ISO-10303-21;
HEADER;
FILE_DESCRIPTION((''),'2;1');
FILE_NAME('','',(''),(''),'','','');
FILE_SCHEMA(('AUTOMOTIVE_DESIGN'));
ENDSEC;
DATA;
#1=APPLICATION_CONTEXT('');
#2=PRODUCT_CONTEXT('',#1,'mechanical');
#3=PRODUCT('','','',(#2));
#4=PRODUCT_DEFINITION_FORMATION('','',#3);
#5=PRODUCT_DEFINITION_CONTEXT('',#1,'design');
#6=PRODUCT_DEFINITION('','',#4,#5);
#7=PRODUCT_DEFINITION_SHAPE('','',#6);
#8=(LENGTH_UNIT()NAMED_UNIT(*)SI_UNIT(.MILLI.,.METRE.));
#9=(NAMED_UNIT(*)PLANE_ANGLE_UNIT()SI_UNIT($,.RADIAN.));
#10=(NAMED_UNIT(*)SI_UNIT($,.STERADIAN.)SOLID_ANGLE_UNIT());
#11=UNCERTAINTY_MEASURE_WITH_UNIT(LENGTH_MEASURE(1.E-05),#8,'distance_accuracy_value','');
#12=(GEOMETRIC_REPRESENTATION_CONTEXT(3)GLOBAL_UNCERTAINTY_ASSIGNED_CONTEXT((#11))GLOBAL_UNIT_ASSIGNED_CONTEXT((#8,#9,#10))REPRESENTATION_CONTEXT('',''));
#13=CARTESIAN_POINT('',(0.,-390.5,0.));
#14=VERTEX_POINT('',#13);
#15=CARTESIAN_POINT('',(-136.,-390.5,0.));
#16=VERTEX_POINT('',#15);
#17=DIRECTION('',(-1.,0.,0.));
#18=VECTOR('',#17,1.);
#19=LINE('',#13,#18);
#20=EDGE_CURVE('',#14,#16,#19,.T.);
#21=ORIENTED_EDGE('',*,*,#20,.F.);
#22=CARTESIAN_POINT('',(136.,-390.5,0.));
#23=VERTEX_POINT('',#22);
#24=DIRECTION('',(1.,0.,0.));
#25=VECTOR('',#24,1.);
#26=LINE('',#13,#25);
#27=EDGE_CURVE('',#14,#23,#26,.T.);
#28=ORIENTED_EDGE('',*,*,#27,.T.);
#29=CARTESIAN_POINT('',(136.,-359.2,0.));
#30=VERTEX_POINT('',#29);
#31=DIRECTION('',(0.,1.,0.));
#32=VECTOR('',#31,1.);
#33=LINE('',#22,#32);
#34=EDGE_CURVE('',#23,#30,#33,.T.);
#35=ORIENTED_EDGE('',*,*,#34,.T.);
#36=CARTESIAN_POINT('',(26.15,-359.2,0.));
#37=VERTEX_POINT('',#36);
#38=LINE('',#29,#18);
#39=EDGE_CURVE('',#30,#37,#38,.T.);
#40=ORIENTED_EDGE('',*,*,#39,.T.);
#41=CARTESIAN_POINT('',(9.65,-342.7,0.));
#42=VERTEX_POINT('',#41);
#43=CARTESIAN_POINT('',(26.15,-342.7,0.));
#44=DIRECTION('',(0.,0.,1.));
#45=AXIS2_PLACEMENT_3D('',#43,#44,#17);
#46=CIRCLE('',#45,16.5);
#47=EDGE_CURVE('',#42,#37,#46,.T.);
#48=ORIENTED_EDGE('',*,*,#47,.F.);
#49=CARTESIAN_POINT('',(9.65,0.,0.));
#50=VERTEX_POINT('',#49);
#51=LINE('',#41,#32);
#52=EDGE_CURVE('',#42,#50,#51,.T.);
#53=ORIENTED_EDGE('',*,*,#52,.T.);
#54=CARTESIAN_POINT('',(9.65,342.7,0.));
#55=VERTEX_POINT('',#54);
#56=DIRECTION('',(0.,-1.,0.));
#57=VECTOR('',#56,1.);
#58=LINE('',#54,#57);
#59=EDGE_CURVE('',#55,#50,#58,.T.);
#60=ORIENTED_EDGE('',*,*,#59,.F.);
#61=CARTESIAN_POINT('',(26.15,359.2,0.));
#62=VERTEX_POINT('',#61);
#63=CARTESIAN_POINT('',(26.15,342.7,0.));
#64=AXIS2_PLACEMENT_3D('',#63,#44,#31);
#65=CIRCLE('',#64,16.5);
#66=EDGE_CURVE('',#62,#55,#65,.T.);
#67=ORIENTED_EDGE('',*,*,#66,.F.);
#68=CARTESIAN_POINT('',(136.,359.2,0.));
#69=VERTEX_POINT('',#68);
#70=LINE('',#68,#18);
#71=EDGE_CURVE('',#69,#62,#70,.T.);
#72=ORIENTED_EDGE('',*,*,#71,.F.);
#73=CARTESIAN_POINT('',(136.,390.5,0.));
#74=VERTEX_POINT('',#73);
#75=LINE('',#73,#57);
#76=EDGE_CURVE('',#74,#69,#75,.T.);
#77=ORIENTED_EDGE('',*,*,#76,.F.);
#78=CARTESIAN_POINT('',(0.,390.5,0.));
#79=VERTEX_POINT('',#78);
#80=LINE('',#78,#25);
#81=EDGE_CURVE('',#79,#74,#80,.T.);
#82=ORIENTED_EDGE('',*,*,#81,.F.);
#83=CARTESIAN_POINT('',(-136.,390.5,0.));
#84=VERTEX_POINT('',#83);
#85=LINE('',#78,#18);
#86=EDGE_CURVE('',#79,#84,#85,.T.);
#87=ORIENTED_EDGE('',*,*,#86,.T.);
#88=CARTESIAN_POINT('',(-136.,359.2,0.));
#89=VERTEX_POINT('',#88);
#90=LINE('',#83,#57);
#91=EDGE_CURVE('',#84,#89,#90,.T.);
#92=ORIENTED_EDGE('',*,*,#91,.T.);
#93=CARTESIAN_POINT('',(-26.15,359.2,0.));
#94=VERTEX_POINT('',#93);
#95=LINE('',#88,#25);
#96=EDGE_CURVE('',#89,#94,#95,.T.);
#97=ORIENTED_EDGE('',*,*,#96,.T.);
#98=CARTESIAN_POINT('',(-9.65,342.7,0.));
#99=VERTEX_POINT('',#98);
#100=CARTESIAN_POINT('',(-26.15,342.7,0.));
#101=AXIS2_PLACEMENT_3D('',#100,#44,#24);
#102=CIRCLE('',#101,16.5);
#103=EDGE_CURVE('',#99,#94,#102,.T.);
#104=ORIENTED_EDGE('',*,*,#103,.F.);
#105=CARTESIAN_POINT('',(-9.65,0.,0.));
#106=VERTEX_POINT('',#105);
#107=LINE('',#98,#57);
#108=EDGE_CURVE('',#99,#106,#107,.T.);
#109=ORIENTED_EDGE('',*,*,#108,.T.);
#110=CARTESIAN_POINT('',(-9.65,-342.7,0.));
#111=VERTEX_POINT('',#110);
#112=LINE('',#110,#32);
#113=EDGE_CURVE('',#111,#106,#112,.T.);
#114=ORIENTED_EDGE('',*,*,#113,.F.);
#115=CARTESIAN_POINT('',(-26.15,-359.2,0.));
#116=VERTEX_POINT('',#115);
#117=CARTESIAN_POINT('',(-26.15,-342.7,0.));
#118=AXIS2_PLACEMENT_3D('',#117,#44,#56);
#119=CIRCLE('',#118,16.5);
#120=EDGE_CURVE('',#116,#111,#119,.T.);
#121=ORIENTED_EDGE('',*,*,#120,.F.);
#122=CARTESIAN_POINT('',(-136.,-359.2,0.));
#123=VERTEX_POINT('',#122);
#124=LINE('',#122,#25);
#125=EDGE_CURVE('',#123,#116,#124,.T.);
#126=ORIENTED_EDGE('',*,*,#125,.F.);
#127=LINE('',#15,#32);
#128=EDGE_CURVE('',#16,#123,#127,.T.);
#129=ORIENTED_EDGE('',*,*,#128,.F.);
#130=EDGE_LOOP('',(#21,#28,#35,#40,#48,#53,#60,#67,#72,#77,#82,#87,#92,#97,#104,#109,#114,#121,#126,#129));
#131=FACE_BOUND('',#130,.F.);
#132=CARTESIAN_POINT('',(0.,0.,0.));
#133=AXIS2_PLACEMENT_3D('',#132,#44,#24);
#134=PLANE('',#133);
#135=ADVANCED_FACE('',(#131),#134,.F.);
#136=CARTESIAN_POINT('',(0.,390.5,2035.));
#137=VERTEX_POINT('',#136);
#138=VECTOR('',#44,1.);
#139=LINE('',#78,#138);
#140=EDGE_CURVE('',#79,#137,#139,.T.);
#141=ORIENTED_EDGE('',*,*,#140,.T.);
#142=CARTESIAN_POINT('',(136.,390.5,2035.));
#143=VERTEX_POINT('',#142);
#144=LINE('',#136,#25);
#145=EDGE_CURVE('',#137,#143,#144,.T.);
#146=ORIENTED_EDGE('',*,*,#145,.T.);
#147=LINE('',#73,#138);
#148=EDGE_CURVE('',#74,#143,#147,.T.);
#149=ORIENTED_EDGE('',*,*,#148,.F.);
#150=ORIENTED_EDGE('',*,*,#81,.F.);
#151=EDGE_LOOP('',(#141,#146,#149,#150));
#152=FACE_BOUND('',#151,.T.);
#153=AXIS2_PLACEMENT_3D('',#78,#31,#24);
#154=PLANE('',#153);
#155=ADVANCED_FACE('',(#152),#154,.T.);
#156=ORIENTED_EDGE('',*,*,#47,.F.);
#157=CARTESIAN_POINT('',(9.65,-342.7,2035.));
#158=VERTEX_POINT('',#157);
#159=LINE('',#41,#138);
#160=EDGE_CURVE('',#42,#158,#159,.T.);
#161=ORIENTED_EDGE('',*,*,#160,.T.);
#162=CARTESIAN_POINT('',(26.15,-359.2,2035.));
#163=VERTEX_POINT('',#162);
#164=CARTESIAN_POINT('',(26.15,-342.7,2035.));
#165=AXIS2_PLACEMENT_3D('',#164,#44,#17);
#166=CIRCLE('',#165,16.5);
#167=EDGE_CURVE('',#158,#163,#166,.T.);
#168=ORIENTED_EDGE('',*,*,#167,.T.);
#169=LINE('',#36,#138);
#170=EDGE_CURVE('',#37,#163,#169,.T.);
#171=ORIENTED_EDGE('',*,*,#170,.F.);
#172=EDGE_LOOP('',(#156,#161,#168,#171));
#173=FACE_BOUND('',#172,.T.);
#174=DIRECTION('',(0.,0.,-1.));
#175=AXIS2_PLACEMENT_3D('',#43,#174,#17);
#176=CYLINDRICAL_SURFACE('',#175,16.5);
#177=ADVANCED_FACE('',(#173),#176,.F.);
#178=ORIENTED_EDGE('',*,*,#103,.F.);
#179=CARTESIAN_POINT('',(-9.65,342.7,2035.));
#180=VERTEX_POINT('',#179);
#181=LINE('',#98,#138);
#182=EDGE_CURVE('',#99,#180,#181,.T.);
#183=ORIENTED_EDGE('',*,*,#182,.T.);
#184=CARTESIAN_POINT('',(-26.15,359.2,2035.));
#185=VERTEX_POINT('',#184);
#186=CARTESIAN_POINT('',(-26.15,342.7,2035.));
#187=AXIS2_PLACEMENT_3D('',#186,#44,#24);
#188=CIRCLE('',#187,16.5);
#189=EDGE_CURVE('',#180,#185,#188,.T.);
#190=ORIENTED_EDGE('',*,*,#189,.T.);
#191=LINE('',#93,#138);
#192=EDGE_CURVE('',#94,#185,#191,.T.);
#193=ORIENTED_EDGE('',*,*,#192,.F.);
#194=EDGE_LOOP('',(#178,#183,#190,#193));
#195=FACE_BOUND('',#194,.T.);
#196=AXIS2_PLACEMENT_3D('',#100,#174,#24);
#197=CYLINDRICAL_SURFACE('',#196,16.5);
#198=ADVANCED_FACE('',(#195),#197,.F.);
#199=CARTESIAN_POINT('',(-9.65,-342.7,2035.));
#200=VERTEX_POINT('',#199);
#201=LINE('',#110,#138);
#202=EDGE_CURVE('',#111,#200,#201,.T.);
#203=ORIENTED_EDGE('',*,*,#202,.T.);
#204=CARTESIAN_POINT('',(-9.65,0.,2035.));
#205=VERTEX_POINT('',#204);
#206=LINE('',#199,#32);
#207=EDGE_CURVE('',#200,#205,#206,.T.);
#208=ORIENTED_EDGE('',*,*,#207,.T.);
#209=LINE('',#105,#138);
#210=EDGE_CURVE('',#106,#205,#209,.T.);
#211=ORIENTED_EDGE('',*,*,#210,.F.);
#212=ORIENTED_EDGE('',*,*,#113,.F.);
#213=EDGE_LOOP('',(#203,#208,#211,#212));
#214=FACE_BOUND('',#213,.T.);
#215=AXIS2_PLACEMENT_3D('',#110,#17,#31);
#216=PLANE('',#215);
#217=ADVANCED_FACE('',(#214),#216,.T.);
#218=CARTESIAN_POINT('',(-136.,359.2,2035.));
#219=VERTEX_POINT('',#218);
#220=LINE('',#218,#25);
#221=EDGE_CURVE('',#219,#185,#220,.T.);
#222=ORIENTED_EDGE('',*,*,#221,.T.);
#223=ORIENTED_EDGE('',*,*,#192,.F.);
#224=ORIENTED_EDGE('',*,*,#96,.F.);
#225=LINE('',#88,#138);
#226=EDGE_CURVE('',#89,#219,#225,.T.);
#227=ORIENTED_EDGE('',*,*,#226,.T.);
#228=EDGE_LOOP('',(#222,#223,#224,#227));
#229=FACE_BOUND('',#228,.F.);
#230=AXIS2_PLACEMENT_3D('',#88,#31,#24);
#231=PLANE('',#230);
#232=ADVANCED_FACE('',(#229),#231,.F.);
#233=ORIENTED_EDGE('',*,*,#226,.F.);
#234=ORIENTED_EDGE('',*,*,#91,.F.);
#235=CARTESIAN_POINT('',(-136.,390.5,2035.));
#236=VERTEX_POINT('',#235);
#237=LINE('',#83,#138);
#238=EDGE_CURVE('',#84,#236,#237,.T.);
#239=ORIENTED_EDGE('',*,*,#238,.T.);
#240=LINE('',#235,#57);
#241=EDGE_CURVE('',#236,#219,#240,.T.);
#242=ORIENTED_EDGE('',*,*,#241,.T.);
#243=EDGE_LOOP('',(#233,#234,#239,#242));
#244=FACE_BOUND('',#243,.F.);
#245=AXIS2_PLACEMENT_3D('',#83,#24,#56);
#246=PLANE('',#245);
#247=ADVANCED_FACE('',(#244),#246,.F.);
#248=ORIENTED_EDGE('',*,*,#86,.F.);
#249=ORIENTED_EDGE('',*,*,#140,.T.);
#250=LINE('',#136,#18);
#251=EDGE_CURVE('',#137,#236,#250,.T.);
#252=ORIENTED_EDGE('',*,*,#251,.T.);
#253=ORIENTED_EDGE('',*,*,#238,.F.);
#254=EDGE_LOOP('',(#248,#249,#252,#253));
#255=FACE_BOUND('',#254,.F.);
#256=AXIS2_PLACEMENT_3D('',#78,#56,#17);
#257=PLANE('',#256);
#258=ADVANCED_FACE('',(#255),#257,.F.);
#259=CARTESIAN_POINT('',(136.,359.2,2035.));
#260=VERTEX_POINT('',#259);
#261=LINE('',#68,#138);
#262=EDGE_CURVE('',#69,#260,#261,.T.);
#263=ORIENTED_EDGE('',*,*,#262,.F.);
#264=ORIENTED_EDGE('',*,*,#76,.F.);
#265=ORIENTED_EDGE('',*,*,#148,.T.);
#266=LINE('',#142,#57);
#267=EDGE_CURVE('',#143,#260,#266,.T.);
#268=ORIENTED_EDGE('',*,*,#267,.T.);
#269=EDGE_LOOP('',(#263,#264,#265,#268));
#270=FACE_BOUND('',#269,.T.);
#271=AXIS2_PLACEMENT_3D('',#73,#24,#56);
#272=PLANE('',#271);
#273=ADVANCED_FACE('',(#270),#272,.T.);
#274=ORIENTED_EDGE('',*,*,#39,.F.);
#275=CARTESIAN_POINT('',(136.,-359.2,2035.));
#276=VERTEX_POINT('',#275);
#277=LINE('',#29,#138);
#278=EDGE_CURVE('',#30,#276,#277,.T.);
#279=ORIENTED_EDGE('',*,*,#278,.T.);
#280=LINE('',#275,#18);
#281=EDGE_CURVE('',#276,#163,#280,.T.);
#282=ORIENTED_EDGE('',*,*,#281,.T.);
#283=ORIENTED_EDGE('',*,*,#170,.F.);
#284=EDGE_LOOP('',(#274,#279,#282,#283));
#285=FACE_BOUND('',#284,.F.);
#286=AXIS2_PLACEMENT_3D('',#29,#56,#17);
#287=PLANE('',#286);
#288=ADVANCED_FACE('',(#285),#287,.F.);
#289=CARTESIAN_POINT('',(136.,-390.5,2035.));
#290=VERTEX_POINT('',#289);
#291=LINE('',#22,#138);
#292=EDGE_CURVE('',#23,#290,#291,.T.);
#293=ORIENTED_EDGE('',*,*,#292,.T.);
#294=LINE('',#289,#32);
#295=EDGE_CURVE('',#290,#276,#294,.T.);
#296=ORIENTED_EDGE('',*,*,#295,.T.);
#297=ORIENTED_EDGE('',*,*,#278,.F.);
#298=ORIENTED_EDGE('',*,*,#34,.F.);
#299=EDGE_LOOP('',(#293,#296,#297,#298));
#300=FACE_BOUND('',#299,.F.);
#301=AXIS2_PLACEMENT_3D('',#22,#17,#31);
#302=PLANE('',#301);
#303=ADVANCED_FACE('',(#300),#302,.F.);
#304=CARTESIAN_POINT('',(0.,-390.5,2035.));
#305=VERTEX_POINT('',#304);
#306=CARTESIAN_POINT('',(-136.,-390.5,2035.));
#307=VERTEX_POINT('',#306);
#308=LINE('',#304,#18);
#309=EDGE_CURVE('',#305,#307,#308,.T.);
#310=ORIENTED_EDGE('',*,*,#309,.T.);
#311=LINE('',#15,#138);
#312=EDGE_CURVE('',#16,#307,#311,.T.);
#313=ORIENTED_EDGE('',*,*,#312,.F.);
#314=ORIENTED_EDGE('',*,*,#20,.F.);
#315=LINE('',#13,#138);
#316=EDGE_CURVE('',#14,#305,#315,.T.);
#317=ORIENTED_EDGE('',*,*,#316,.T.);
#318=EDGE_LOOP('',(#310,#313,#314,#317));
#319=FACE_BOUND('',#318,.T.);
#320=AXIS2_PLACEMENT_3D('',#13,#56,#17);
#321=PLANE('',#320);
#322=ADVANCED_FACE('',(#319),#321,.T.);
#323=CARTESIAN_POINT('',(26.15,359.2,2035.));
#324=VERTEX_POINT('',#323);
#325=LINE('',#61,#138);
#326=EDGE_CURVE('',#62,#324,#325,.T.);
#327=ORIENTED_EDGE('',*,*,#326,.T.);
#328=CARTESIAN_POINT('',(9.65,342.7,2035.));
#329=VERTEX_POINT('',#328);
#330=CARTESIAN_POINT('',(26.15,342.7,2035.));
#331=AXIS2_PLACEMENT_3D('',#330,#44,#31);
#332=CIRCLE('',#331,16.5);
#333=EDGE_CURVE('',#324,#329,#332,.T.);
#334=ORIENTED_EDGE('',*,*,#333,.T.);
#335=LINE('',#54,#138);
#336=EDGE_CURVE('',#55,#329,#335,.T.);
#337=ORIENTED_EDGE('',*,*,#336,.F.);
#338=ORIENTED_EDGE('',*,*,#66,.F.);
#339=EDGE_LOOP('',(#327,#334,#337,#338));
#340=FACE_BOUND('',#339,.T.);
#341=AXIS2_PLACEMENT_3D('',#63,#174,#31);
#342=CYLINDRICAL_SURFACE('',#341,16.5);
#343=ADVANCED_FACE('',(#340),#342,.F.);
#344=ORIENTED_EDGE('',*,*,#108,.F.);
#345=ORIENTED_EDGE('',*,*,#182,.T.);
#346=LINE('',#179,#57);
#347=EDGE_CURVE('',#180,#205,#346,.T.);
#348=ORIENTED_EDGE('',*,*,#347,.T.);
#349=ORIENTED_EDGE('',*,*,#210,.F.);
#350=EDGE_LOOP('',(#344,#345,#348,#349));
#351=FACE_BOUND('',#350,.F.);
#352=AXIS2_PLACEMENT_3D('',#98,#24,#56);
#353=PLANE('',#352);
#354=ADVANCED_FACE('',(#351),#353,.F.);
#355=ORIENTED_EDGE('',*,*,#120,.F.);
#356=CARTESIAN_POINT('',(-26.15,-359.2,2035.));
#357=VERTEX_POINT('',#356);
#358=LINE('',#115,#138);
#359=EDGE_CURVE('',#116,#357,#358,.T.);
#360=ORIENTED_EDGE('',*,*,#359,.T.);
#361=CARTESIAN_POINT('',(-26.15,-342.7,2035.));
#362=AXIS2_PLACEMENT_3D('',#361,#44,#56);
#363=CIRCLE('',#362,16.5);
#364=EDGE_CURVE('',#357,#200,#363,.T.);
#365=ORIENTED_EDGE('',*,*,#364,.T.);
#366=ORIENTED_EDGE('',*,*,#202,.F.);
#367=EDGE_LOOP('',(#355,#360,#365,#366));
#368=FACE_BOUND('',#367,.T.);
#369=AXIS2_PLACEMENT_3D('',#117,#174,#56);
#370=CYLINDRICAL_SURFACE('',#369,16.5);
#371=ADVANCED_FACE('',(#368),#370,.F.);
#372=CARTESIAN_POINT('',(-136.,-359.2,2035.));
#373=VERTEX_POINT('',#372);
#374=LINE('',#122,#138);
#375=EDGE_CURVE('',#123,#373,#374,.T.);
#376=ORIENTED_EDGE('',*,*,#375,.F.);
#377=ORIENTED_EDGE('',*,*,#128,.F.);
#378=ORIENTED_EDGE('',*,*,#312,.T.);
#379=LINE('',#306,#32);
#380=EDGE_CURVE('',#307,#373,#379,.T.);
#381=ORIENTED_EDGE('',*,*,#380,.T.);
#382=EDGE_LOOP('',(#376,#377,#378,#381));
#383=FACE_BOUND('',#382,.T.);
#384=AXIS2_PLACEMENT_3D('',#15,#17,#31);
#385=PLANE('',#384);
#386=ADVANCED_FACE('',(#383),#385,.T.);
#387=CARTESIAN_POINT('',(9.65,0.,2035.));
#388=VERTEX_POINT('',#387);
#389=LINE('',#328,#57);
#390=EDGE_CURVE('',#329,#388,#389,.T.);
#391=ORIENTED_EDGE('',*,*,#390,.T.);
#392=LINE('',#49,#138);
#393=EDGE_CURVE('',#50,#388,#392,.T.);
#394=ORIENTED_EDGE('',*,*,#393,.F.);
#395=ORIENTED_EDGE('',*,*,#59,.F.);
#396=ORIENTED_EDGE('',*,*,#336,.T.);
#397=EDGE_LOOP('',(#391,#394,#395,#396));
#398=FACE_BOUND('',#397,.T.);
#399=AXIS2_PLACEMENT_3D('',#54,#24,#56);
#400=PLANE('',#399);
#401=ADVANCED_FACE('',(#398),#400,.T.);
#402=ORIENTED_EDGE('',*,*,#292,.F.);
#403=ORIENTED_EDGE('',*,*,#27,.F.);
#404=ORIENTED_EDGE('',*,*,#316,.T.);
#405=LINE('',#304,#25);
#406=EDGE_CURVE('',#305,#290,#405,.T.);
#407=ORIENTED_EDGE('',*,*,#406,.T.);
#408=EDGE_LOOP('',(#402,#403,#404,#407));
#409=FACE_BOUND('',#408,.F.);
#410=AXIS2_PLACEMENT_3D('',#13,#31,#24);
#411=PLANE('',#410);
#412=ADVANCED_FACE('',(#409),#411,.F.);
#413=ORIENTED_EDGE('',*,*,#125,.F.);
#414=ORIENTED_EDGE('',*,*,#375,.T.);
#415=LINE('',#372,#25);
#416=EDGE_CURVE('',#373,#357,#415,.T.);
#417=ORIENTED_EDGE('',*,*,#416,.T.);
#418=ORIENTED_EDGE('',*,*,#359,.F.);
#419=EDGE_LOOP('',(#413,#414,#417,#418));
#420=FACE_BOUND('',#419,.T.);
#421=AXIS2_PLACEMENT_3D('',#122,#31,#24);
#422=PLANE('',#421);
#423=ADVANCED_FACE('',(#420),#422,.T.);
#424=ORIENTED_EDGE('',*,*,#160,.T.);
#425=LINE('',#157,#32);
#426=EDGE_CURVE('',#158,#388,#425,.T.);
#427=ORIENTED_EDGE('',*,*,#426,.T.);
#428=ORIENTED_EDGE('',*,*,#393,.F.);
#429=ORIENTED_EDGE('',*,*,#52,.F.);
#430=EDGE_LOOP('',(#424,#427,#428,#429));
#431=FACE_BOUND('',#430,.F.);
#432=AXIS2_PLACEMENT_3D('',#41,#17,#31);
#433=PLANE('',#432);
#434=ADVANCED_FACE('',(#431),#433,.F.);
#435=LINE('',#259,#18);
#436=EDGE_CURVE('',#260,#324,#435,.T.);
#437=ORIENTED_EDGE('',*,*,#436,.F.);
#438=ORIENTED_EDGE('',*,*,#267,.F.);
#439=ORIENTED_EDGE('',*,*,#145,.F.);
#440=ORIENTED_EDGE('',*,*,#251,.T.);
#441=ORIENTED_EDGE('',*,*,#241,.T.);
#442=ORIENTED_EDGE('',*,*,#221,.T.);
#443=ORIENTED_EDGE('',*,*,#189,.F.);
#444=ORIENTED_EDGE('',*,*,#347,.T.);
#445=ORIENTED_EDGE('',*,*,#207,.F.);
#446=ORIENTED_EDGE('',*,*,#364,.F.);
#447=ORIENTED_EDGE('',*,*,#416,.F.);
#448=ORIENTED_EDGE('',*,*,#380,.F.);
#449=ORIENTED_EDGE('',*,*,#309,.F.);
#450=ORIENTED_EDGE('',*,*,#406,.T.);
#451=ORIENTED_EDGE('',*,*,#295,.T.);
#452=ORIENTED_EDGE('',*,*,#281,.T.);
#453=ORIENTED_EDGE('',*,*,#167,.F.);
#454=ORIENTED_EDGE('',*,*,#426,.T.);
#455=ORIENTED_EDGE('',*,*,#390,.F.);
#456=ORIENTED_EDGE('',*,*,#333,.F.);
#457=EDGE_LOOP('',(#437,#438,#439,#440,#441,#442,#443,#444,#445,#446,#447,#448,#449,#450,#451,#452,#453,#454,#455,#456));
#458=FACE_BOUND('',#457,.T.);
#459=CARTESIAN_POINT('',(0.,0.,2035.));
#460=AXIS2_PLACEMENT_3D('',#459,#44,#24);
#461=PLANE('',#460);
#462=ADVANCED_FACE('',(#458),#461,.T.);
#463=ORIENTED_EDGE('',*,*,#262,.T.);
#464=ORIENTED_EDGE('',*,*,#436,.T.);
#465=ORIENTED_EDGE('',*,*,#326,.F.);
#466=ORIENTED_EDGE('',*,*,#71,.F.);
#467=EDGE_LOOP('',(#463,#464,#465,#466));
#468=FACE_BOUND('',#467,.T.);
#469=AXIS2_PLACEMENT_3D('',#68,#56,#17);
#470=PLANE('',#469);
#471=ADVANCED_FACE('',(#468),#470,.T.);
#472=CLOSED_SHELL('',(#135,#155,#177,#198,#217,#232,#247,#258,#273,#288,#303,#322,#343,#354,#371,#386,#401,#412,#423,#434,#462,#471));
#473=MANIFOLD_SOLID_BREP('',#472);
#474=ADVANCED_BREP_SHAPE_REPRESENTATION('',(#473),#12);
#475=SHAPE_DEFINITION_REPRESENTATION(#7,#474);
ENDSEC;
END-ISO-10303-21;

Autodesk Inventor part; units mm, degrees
ref_plane "YZ Plane" through (0, 0, 0) normal (1, 0, 0) x (0, 1, 0)
ref_plane "Start plane" through (0, 0, 0) normal (0, 0, 1) x (1, 0, 0)
ref_plane "End plane" through (0, 0, 2035) normal (0, 0, 1) x (1, 0, 0)
sketch "Sketch" plane through (0, 0, 0) normal (0, 0, 1) x (1, 0, 0)
  line L0 (-136, -390.5) -> (-136, -359.2)
  line L1 (-136, -359.2) -> (-26.15, -359.2)
  line L2 (-9.65, -342.7) -> (-9.65, 0)
  line L3 (-9.65, 0) -> (0, 0) construction
  line L4 (0, 0) -> (0, -390.5) construction
  line L5 (0, -390.5) -> (-136, -390.5)
  line L6 (-60, 0) -> (80, 0) construction
  line L7 (0, -60) -> (0, 80) construction
  line L8 (136, -390.5) -> (136, -359.2)
  line L9 (136, -359.2) -> (26.15, -359.2)
  line L10 (9.65, -342.7) -> (9.65, 0)
  line L11 (9.65, 0) -> (0, 0) construction
  line L12 (0, -390.5) -> (136, -390.5)
  line L13 (-136, 390.5) -> (-136, 359.2)
  line L14 (-136, 359.2) -> (-26.15, 359.2)
  line L15 (-9.65, 342.7) -> (-9.65, 0)
  line L16 (0, 390.5) -> (-136, 390.5)
  line L17 (136, 390.5) -> (136, 359.2)
  line L18 (136, 359.2) -> (26.15, 359.2)
  line L19 (0, 390.5) -> (136, 390.5)
  line L20 (9.65, 342.7) -> (9.65, 0)
  arc A0 (-9.65, 342.7) -> (-26.15, 359.2) centre (-26.15, 342.7) ccw
  arc A1 (26.15, 359.2) -> (9.65, 342.7) centre (26.15, 342.7) ccw
  arc A2 (9.65, -342.7) -> (26.15, -359.2) centre (26.15, -342.7) ccw
  arc A3 (-26.15, -359.2) -> (-9.65, -342.7) centre (-26.15, -342.7) ccw
  line L21 (0, 108) -> (0, -88) construction
  line L22 (-88, 0) -> (108, 0) construction
  point P0 (-9.65, -359.2)
  point P1 (9.65, -359.2)
  point P2 (-9.65, 359.2)
  point P3 (9.65, 359.2)
  dimension "d1" = 390.5
  dimension "d2" = 31.3
  dimension "d3" = 136
  dimension "d4" = 9.65
  dimension "d10" = 16.5
extrude "Body" add sketch "Sketch" along normal up to surface (2035 mm away) from surface at 0
sketch "Sketch4" plane through (0, 0, 0) normal (0, 0, 1) x (1, 0, 0)
  line L0 (0, 0) -> (10, 0)
ref_plane "Work Plane3" through (0, 0, 0) normal (0, -1, 0) x (1, 0, 0)
sketch "Sketch5" plane through (0, 0, 0) normal (0, -1, 0) x (1, 0, 0)
  line L0 (-2, 0) -> (12, 0) projected
  line L1 (-2, 2035) -> (12, 2035) projected
  dimension "d14" = 2035
equation "\"d1\" = 0.5 * G_H"
equation "\"d2\" = G_T1"
equation "\"d3\" = 0.5 * G_W"
equation "\"d4\" = 0.5 * G_T"
equation "\"d10\" = G_IR"
equation "\"d5\" = G_L"
equation "\"G_W\" = 272"
equation "\"G_H\" = 781"
equation "\"G_T\" = 19.3"
equation "\"G_T1\" = 31.3"
equation "\"G_IR\" = 16.5"
equation "\"G_L\" = d14"
equation "\"G_OFFSET_START\" = 0"
equation "\"G_OFFSET_END\" = 0"
equation "\"d12\" = G_OFFSET_END + B_L"
equation "\"B_L\" = 2035"
properties part number "AS 3679-1990 - 760 UB - 244 - 2035" material "Steel, Mild"
